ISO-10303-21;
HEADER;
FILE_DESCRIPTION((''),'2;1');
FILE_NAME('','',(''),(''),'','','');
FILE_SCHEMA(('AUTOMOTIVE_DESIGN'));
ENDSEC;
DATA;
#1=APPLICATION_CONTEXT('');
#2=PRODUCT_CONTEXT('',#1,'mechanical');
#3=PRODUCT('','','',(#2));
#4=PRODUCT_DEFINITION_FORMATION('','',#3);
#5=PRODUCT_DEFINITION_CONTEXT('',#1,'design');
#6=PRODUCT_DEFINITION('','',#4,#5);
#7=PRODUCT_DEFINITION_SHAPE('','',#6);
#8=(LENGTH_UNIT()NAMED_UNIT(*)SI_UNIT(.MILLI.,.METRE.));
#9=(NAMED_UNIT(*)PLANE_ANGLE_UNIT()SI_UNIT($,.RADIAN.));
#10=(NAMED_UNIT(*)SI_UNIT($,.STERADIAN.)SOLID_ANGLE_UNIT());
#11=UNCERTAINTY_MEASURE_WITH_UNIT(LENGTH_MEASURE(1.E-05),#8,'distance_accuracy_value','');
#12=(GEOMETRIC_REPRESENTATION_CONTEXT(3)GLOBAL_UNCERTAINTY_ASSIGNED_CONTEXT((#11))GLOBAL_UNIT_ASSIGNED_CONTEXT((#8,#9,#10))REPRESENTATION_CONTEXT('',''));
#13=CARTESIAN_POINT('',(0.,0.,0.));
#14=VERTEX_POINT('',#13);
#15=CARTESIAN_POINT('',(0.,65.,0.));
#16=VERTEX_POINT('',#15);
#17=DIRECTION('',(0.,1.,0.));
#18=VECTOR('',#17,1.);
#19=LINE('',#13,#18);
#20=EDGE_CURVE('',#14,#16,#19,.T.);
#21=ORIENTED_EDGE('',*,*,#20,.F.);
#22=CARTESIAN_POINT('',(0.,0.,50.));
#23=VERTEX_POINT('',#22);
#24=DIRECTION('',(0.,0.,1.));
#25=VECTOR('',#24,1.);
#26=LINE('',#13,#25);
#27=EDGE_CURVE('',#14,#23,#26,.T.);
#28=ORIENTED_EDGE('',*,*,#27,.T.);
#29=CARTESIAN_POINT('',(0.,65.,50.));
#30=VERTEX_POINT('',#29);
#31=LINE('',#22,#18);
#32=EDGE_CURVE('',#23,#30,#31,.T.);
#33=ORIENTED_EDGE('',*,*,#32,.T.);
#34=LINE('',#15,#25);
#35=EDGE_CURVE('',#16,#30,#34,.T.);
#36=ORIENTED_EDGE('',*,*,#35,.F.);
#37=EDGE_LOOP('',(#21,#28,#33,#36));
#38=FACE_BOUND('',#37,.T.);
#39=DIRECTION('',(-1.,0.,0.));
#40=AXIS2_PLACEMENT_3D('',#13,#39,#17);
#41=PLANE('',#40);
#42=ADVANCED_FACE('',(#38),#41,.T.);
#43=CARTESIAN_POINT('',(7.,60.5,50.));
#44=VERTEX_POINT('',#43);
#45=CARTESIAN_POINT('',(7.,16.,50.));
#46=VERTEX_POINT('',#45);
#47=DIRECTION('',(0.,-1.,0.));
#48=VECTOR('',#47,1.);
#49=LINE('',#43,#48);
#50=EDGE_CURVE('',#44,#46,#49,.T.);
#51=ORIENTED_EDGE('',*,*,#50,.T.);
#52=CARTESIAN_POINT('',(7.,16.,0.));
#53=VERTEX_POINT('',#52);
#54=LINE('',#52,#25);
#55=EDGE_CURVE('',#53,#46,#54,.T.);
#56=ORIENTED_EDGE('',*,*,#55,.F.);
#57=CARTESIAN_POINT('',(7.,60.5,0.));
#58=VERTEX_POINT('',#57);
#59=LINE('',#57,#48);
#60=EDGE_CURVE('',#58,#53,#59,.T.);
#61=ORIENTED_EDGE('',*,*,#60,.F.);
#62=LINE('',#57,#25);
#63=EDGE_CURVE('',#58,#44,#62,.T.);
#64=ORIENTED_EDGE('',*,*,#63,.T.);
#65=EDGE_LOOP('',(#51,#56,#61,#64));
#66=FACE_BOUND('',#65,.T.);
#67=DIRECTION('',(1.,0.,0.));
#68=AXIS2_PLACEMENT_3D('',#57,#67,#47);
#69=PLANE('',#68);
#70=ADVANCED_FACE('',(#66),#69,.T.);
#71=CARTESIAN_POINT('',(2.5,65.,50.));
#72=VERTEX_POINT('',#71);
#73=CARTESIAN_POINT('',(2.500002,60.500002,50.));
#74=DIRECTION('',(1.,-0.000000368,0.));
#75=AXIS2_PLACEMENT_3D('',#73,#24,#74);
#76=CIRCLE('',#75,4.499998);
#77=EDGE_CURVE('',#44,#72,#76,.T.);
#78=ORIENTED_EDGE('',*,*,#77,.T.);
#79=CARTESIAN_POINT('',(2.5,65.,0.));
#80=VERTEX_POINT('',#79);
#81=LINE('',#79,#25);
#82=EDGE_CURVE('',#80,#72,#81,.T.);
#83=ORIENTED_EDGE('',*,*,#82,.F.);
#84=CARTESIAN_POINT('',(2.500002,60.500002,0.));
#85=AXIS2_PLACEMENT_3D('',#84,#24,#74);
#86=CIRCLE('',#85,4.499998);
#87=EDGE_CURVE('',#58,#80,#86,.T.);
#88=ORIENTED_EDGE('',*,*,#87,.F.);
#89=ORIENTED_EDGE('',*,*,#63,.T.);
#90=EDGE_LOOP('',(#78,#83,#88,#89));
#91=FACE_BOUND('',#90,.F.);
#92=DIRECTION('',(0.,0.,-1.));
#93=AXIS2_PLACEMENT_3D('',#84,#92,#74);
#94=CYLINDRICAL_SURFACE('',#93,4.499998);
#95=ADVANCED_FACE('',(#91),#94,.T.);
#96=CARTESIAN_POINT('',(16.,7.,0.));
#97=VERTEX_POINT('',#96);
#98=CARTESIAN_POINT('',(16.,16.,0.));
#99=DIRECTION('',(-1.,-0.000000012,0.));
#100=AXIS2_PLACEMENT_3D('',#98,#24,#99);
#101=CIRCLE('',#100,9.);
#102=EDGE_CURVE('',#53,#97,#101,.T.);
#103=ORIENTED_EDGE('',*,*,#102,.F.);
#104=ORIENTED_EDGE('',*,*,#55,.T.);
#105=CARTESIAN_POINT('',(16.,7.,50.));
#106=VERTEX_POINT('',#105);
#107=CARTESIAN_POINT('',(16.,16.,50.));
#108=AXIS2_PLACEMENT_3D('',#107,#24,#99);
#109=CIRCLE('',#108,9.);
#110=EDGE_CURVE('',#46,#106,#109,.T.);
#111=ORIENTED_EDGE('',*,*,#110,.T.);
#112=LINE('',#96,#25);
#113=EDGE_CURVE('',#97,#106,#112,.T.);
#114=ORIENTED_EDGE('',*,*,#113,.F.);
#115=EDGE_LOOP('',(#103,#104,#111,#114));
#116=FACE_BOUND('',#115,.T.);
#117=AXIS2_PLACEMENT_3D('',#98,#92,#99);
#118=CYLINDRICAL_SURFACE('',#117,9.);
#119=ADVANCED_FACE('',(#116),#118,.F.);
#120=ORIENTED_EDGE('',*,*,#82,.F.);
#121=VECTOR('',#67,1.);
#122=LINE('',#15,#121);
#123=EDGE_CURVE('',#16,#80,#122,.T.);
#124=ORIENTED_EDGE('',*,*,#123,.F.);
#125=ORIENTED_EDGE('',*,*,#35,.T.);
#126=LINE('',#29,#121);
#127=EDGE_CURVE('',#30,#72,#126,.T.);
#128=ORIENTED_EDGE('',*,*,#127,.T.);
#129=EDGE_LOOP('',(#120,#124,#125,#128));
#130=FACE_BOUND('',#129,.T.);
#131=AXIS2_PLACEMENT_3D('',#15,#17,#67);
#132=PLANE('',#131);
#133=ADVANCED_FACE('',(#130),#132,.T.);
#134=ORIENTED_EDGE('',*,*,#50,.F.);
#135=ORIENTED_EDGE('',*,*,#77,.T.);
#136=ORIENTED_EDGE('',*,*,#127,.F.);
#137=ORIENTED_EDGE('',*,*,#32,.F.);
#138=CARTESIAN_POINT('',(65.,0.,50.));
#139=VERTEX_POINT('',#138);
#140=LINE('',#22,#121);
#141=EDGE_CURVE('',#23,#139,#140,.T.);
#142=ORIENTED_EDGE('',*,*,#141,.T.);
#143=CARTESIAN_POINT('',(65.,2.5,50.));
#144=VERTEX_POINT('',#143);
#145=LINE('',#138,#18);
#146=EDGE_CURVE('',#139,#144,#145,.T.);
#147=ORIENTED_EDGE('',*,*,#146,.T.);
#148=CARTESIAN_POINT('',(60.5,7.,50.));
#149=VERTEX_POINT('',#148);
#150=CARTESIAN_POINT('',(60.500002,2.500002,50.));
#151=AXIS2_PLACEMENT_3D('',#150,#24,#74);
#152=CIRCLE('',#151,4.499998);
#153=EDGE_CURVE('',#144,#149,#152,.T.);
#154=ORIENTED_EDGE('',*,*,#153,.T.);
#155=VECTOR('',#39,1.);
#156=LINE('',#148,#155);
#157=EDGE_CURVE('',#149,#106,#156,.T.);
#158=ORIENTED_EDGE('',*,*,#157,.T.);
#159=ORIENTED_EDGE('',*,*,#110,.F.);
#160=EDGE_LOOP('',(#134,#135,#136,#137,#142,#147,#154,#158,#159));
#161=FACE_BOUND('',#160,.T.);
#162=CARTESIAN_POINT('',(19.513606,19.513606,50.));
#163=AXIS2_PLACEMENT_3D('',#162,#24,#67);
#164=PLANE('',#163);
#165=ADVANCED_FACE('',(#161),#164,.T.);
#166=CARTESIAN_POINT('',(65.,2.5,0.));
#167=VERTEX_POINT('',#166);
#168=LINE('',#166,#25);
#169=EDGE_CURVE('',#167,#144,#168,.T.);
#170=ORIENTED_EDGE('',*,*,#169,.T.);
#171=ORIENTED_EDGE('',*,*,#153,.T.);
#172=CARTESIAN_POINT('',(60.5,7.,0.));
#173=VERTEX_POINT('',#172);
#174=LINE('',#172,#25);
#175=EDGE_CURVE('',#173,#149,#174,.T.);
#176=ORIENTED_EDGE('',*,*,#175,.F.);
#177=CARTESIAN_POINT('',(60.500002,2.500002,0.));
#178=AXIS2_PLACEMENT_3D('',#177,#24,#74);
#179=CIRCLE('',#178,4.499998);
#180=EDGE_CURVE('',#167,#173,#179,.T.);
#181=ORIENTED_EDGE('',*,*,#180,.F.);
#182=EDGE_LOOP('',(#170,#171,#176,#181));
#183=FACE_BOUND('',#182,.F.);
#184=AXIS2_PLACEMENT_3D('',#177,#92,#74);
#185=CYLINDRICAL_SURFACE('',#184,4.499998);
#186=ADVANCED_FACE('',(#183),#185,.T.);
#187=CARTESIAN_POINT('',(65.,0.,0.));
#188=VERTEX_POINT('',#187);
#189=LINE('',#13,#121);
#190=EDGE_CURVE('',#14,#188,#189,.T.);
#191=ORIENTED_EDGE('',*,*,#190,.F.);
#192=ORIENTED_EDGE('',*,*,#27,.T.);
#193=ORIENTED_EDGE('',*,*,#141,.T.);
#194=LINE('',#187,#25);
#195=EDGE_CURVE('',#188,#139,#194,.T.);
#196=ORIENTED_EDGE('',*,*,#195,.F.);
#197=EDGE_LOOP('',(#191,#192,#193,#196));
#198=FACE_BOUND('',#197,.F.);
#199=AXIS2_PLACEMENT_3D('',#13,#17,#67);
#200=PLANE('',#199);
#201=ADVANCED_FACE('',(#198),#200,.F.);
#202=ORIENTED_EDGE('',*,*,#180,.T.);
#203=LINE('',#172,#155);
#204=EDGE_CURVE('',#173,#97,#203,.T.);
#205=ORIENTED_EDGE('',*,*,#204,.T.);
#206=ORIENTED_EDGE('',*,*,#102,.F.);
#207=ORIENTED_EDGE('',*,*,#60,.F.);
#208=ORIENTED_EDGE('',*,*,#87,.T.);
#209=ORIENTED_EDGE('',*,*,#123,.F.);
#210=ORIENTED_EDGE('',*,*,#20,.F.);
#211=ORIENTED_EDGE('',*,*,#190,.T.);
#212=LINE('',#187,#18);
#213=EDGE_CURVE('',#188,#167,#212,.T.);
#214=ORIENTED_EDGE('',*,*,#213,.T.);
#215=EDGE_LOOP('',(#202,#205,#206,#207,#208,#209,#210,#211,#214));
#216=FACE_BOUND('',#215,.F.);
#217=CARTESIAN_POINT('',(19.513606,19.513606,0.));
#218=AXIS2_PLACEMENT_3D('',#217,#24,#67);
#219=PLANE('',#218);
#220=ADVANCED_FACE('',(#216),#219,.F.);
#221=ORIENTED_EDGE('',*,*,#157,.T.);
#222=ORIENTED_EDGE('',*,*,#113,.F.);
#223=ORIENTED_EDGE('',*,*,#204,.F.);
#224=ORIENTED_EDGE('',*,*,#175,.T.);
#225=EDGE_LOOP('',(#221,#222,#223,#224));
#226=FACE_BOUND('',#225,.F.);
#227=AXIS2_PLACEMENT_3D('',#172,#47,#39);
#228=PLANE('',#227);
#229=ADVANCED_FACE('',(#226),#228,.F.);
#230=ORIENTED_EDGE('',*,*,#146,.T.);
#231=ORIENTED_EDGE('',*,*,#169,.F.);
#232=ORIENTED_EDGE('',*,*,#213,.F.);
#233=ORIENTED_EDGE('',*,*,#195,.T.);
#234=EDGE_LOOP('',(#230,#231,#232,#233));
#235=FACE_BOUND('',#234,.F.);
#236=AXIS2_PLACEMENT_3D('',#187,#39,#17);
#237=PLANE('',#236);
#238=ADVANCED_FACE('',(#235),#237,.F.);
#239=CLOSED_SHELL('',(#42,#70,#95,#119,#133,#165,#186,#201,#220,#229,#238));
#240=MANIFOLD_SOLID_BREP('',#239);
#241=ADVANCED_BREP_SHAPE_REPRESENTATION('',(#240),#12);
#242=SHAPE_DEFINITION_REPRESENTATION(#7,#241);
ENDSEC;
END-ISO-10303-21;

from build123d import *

# Parameters (mm, degrees)
EXTRUDE_DEPTH = 50


with BuildPart() as part:
    # Sketch → Extrude (new body)
    with BuildSketch(Plane.XY):
        with BuildLine():
            Line((0, 0), (65, 0))
            Line((65, 0), (65, 2.5))
            ThreePointArc((65, 2.5), (63.681981, 5.681981), (60.5, 7))
            Line((60.5, 7), (16, 7))
            ThreePointArc((7, 16), (9.636039, 9.636039), (16, 7))
            Line((7, 60.5), (7, 16))
            ThreePointArc((7, 60.5), (5.681981, 63.681981), (2.5, 65))
            Line((0, 65), (2.5, 65))
            Line((0, 0), (0, 65))
        make_face()
    extrude(amount=EXTRUDE_DEPTH)


solid = part.part
